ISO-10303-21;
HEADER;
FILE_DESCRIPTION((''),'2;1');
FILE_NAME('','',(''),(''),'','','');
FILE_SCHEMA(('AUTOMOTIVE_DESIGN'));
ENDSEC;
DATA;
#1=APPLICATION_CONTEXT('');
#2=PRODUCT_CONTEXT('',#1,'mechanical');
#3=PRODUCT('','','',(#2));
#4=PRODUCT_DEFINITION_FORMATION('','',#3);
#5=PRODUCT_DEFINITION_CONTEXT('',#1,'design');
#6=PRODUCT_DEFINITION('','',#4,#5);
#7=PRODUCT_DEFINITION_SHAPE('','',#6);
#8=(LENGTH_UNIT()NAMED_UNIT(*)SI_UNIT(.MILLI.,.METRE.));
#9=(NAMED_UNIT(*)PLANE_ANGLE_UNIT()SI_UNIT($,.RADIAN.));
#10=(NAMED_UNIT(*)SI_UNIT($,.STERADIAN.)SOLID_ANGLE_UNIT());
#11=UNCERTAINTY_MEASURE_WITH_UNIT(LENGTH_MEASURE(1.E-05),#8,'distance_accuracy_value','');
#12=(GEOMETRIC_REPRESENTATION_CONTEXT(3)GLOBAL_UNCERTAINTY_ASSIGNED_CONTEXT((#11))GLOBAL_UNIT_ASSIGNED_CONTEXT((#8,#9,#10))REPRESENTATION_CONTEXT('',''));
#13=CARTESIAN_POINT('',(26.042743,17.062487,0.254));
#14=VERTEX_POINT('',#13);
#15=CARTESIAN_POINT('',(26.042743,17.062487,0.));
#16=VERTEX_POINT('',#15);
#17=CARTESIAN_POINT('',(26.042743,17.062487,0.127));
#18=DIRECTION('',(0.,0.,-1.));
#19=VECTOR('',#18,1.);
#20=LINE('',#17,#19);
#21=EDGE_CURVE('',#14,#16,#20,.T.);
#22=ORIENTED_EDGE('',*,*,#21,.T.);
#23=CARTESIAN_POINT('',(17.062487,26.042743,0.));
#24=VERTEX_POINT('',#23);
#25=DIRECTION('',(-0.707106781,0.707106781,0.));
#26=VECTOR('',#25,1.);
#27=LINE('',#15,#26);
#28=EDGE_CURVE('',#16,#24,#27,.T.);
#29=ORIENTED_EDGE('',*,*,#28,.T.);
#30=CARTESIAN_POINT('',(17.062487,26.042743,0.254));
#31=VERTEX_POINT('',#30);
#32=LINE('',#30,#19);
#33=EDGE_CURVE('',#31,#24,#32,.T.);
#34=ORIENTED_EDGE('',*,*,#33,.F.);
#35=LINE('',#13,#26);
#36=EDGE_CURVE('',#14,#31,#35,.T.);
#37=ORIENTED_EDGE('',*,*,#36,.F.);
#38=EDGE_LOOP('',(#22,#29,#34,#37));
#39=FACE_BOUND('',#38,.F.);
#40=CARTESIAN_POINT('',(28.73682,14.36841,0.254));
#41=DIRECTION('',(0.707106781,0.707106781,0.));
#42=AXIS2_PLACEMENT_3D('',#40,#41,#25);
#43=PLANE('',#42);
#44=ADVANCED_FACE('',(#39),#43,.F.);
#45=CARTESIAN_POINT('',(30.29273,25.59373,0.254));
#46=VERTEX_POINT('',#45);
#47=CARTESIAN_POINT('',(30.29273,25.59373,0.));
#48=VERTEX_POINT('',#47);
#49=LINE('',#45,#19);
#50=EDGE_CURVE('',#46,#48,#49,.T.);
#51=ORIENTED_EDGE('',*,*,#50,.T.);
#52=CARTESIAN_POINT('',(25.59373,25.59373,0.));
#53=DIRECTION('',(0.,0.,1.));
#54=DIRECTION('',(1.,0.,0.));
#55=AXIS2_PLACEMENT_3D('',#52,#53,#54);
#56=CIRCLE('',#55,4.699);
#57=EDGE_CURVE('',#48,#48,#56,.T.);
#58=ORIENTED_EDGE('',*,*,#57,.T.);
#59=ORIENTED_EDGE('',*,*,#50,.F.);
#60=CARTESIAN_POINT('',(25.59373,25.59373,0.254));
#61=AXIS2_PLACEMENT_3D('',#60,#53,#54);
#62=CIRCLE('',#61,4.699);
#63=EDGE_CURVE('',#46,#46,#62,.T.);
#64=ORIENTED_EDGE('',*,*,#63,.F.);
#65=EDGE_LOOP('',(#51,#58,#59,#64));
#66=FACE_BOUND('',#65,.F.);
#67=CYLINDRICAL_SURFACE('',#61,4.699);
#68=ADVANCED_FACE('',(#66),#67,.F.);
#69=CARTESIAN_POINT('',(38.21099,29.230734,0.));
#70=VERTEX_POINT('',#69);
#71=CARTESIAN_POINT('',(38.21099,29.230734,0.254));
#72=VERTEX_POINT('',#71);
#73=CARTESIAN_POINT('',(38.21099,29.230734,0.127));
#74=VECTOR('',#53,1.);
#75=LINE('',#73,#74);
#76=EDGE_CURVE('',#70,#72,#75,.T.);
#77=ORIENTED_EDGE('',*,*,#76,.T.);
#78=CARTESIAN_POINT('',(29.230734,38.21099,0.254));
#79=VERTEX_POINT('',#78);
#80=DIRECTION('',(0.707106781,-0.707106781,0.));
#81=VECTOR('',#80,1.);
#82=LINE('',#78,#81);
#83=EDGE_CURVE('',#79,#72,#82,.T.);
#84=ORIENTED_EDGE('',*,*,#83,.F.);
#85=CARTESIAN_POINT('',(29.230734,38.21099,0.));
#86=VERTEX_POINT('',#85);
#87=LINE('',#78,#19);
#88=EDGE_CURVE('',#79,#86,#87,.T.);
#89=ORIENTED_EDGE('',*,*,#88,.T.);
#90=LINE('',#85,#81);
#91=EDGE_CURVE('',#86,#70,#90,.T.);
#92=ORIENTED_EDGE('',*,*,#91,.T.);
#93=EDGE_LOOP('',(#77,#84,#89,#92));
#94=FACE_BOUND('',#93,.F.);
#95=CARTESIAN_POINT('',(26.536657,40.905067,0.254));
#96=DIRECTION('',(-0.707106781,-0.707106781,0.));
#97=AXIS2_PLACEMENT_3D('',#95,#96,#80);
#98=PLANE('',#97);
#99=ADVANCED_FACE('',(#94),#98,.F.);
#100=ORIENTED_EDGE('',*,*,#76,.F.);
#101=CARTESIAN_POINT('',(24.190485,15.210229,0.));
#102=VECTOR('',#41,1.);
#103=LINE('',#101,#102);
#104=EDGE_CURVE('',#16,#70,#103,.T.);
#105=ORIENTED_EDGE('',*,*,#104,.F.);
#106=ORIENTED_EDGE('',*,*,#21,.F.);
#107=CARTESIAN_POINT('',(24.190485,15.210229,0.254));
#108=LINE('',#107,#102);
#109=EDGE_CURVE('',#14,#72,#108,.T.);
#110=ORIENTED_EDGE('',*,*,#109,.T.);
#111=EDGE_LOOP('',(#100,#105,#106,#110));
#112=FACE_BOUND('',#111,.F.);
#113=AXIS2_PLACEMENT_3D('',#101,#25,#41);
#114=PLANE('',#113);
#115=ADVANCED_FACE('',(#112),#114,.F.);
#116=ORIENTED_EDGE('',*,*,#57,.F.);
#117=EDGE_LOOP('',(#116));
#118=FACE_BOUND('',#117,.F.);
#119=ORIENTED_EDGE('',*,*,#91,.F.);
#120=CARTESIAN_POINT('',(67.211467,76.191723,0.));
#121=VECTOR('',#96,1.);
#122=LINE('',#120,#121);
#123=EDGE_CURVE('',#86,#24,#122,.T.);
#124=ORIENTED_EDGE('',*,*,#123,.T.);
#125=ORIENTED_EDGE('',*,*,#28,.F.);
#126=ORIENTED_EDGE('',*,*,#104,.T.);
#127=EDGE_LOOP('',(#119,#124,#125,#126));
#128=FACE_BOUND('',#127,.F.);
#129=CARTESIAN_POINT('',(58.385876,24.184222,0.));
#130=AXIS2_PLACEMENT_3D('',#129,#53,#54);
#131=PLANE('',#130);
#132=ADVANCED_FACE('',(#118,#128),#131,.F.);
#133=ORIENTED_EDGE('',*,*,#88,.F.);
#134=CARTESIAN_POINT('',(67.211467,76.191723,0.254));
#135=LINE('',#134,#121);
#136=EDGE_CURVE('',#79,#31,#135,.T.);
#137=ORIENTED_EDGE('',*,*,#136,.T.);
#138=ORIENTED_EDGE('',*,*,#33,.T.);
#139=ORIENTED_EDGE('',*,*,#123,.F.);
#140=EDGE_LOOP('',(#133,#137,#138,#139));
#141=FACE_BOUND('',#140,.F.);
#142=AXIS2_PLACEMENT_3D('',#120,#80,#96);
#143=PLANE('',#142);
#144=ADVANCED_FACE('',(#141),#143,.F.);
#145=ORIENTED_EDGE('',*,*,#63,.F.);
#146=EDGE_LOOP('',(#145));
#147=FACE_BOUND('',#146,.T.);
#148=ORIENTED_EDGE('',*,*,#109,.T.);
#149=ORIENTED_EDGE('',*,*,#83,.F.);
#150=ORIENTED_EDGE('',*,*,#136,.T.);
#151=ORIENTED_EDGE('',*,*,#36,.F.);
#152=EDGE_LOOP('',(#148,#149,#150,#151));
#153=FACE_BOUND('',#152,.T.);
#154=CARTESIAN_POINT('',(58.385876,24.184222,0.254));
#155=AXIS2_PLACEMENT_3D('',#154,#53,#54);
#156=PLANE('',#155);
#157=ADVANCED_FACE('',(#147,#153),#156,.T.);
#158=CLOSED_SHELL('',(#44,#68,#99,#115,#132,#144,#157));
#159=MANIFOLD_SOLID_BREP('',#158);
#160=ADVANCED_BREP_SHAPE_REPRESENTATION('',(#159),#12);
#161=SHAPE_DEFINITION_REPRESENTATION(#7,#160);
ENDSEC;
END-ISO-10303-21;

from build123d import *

# Parameters (mm, degrees)
BOSS_EXTRUDE1_DEPTH = 0.254
SKETCH2_R           = 4.699
CUT_EXTRUDE1_DEPTH  = 1.254
SKETCH3_W           = 2.54
SKETCH3_H           = 0.635
CUT_EXTRUDE2_DEPTH  = 1.254
SKETCH5_OUTSIDE_W   = 121.447
SKETCH5_OUTSIDE_H   = 109.618
CUT_EXTRUDE5_DEPTH  = 1.254


with BuildPart() as part:
    # Sketch1 → Boss-Extrude1 (new body)
    with BuildSketch(Plane.XY):
        with BuildLine():
            Line((67.21146711, 76.191723231), (8.696654013, 17.676910134))
            Line((8.696654013, 17.676910134), (7.228954972, 14.133571205))
            ThreePointArc((7.228954972, 14.133571205), (14.666587579, 6.075099489), (15.105587123, -4.88230096))
            Line((15.105587123, -4.88230096), (18.648926052, -6.35))
            Line((18.648926052, -6.35), (101.401368334, -6.35))
            ThreePointArc((101.401368334, -6.35), (93.866160503, 38.880636728), (67.21146711, 76.191723231))
        make_face()
        with BuildLine():
            Line((88.672924278, 6.35), (27.86051193, 6.35))
            ThreePointArc((27.86051193, 6.35), (26.399857642, 10.93517908), (24.190484974, 15.210228852))
            Line((24.190484974, 15.210228852), (67.191354125, 58.211098004))
            ThreePointArc((67.191354125, 58.211098004), (82.13289044, 34.020557137), (88.672924278, 6.35))
        make_face(mode=Mode.SUBTRACT)
    extrude(amount=BOSS_EXTRUDE1_DEPTH)

    # Sketch2 → Cut-Extrude1 (cut, through all)
    with BuildSketch(Plane.XY.offset(0.254)):
        with Locations((22.225, 0)):
            Circle(SKETCH2_R)
        with Locations((36.195, 0)):
            Circle(SKETCH2_R)
        with Locations((61.722, 0)):
            Circle(SKETCH2_R)
        with Locations((75.692, 0)):
            Circle(SKETCH2_R)
        with Locations((95.25, 0)):
            Circle(SKETCH2_R)
        with Locations((15.715448212, 15.715448212)):
            Circle(SKETCH2_R)
        with Locations((25.593729945, 25.593729945)):
            Circle(SKETCH2_R)
        with Locations((43.644044748, 43.644044748)):
            Circle(SKETCH2_R)
        with Locations((53.522326482, 53.522326482)):
            Circle(SKETCH2_R)
        with Locations((92.004434954, 24.652514046)):
            Circle(SKETCH2_R)
        with Locations((82.48891971, 47.625)):
            Circle(SKETCH2_R)
        with Locations((67.351920908, 67.351920908)):
            Circle(SKETCH2_R)
    extrude(amount=-CUT_EXTRUDE1_DEPTH, mode=Mode.SUBTRACT)

    # Sketch3 → Cut-Extrude2 (cut, through all)
    with BuildSketch(Plane.XY.offset(0.254)):
        Polygon((15.266435406, 24.246691527), (17.06248663, 26.042742751), (17.511499436, 25.593729945), (15.715448212, 23.797678721), align=None)
        Polygon((44.991083167, 53.971339288), (43.195031942, 52.175288063), (43.644044748, 51.726275257), (45.440095973, 53.522326482), align=None)
        with Locations((29.21, -6.0325)):
            Rectangle(SKETCH3_W, SKETCH3_H)
        with Locations((68.707, -6.0325)):
            Rectangle(SKETCH3_W, SKETCH3_H)
        Polygon((29.230733674, 38.210989795), (31.026784898, 40.007041019), (31.475797704, 39.558028213), (29.67974648, 37.761976989), align=None)
        Polygon((56.845021246, 65.825277367), (55.048970022, 64.029226143), (55.497982828, 63.580213337), (57.294034052, 65.376264561), align=None)
        with Locations((48.9585, -6.0325)):
            Rectangle(SKETCH3_W, SKETCH3_H)
        with Locations((85.471, -6.0325)):
            Rectangle(SKETCH3_W, SKETCH3_H)
        Polygon((99.935462164, 14.437711971), (100.266998693, 11.919442024), (101.526133667, 12.085210288), (101.194597138, 14.603480236), align=None)
        Polygon((93.765504959, 37.464305742), (94.938831965, 37.950313702), (93.966816047, 40.296967714), (92.793489041, 39.810959755), align=None)
        Polygon((79.327792988, 62.471156422), (80.874047017, 60.456038938), (81.88160576, 61.229165953), (80.33535173, 63.244283437), align=None)
        Polygon((13.593916116, 7.005422516), (14.565932035, 4.658768503), (15.739259041, 5.144776462), (14.767243123, 7.491430475), align=None)
    extrude(amount=-CUT_EXTRUDE2_DEPTH, mode=Mode.SUBTRACT)

    # Sketch5 outside → Cut-Extrude5 (cut, through all)
    with BuildSketch(Plane.XY.offset(0.254)):
        with Locations((54.4145, 34.921)):
            Rectangle(SKETCH5_OUTSIDE_W, SKETCH5_OUTSIDE_H)
        Polygon((14.368409794, 28.736819587), (26.536656838, 40.905066631), (40.905066631, 26.536656838), (28.736819587, 14.368409794), align=None, mode=Mode.SUBTRACT)
    extrude(amount=-CUT_EXTRUDE5_DEPTH, mode=Mode.SUBTRACT)


solid = part.part
